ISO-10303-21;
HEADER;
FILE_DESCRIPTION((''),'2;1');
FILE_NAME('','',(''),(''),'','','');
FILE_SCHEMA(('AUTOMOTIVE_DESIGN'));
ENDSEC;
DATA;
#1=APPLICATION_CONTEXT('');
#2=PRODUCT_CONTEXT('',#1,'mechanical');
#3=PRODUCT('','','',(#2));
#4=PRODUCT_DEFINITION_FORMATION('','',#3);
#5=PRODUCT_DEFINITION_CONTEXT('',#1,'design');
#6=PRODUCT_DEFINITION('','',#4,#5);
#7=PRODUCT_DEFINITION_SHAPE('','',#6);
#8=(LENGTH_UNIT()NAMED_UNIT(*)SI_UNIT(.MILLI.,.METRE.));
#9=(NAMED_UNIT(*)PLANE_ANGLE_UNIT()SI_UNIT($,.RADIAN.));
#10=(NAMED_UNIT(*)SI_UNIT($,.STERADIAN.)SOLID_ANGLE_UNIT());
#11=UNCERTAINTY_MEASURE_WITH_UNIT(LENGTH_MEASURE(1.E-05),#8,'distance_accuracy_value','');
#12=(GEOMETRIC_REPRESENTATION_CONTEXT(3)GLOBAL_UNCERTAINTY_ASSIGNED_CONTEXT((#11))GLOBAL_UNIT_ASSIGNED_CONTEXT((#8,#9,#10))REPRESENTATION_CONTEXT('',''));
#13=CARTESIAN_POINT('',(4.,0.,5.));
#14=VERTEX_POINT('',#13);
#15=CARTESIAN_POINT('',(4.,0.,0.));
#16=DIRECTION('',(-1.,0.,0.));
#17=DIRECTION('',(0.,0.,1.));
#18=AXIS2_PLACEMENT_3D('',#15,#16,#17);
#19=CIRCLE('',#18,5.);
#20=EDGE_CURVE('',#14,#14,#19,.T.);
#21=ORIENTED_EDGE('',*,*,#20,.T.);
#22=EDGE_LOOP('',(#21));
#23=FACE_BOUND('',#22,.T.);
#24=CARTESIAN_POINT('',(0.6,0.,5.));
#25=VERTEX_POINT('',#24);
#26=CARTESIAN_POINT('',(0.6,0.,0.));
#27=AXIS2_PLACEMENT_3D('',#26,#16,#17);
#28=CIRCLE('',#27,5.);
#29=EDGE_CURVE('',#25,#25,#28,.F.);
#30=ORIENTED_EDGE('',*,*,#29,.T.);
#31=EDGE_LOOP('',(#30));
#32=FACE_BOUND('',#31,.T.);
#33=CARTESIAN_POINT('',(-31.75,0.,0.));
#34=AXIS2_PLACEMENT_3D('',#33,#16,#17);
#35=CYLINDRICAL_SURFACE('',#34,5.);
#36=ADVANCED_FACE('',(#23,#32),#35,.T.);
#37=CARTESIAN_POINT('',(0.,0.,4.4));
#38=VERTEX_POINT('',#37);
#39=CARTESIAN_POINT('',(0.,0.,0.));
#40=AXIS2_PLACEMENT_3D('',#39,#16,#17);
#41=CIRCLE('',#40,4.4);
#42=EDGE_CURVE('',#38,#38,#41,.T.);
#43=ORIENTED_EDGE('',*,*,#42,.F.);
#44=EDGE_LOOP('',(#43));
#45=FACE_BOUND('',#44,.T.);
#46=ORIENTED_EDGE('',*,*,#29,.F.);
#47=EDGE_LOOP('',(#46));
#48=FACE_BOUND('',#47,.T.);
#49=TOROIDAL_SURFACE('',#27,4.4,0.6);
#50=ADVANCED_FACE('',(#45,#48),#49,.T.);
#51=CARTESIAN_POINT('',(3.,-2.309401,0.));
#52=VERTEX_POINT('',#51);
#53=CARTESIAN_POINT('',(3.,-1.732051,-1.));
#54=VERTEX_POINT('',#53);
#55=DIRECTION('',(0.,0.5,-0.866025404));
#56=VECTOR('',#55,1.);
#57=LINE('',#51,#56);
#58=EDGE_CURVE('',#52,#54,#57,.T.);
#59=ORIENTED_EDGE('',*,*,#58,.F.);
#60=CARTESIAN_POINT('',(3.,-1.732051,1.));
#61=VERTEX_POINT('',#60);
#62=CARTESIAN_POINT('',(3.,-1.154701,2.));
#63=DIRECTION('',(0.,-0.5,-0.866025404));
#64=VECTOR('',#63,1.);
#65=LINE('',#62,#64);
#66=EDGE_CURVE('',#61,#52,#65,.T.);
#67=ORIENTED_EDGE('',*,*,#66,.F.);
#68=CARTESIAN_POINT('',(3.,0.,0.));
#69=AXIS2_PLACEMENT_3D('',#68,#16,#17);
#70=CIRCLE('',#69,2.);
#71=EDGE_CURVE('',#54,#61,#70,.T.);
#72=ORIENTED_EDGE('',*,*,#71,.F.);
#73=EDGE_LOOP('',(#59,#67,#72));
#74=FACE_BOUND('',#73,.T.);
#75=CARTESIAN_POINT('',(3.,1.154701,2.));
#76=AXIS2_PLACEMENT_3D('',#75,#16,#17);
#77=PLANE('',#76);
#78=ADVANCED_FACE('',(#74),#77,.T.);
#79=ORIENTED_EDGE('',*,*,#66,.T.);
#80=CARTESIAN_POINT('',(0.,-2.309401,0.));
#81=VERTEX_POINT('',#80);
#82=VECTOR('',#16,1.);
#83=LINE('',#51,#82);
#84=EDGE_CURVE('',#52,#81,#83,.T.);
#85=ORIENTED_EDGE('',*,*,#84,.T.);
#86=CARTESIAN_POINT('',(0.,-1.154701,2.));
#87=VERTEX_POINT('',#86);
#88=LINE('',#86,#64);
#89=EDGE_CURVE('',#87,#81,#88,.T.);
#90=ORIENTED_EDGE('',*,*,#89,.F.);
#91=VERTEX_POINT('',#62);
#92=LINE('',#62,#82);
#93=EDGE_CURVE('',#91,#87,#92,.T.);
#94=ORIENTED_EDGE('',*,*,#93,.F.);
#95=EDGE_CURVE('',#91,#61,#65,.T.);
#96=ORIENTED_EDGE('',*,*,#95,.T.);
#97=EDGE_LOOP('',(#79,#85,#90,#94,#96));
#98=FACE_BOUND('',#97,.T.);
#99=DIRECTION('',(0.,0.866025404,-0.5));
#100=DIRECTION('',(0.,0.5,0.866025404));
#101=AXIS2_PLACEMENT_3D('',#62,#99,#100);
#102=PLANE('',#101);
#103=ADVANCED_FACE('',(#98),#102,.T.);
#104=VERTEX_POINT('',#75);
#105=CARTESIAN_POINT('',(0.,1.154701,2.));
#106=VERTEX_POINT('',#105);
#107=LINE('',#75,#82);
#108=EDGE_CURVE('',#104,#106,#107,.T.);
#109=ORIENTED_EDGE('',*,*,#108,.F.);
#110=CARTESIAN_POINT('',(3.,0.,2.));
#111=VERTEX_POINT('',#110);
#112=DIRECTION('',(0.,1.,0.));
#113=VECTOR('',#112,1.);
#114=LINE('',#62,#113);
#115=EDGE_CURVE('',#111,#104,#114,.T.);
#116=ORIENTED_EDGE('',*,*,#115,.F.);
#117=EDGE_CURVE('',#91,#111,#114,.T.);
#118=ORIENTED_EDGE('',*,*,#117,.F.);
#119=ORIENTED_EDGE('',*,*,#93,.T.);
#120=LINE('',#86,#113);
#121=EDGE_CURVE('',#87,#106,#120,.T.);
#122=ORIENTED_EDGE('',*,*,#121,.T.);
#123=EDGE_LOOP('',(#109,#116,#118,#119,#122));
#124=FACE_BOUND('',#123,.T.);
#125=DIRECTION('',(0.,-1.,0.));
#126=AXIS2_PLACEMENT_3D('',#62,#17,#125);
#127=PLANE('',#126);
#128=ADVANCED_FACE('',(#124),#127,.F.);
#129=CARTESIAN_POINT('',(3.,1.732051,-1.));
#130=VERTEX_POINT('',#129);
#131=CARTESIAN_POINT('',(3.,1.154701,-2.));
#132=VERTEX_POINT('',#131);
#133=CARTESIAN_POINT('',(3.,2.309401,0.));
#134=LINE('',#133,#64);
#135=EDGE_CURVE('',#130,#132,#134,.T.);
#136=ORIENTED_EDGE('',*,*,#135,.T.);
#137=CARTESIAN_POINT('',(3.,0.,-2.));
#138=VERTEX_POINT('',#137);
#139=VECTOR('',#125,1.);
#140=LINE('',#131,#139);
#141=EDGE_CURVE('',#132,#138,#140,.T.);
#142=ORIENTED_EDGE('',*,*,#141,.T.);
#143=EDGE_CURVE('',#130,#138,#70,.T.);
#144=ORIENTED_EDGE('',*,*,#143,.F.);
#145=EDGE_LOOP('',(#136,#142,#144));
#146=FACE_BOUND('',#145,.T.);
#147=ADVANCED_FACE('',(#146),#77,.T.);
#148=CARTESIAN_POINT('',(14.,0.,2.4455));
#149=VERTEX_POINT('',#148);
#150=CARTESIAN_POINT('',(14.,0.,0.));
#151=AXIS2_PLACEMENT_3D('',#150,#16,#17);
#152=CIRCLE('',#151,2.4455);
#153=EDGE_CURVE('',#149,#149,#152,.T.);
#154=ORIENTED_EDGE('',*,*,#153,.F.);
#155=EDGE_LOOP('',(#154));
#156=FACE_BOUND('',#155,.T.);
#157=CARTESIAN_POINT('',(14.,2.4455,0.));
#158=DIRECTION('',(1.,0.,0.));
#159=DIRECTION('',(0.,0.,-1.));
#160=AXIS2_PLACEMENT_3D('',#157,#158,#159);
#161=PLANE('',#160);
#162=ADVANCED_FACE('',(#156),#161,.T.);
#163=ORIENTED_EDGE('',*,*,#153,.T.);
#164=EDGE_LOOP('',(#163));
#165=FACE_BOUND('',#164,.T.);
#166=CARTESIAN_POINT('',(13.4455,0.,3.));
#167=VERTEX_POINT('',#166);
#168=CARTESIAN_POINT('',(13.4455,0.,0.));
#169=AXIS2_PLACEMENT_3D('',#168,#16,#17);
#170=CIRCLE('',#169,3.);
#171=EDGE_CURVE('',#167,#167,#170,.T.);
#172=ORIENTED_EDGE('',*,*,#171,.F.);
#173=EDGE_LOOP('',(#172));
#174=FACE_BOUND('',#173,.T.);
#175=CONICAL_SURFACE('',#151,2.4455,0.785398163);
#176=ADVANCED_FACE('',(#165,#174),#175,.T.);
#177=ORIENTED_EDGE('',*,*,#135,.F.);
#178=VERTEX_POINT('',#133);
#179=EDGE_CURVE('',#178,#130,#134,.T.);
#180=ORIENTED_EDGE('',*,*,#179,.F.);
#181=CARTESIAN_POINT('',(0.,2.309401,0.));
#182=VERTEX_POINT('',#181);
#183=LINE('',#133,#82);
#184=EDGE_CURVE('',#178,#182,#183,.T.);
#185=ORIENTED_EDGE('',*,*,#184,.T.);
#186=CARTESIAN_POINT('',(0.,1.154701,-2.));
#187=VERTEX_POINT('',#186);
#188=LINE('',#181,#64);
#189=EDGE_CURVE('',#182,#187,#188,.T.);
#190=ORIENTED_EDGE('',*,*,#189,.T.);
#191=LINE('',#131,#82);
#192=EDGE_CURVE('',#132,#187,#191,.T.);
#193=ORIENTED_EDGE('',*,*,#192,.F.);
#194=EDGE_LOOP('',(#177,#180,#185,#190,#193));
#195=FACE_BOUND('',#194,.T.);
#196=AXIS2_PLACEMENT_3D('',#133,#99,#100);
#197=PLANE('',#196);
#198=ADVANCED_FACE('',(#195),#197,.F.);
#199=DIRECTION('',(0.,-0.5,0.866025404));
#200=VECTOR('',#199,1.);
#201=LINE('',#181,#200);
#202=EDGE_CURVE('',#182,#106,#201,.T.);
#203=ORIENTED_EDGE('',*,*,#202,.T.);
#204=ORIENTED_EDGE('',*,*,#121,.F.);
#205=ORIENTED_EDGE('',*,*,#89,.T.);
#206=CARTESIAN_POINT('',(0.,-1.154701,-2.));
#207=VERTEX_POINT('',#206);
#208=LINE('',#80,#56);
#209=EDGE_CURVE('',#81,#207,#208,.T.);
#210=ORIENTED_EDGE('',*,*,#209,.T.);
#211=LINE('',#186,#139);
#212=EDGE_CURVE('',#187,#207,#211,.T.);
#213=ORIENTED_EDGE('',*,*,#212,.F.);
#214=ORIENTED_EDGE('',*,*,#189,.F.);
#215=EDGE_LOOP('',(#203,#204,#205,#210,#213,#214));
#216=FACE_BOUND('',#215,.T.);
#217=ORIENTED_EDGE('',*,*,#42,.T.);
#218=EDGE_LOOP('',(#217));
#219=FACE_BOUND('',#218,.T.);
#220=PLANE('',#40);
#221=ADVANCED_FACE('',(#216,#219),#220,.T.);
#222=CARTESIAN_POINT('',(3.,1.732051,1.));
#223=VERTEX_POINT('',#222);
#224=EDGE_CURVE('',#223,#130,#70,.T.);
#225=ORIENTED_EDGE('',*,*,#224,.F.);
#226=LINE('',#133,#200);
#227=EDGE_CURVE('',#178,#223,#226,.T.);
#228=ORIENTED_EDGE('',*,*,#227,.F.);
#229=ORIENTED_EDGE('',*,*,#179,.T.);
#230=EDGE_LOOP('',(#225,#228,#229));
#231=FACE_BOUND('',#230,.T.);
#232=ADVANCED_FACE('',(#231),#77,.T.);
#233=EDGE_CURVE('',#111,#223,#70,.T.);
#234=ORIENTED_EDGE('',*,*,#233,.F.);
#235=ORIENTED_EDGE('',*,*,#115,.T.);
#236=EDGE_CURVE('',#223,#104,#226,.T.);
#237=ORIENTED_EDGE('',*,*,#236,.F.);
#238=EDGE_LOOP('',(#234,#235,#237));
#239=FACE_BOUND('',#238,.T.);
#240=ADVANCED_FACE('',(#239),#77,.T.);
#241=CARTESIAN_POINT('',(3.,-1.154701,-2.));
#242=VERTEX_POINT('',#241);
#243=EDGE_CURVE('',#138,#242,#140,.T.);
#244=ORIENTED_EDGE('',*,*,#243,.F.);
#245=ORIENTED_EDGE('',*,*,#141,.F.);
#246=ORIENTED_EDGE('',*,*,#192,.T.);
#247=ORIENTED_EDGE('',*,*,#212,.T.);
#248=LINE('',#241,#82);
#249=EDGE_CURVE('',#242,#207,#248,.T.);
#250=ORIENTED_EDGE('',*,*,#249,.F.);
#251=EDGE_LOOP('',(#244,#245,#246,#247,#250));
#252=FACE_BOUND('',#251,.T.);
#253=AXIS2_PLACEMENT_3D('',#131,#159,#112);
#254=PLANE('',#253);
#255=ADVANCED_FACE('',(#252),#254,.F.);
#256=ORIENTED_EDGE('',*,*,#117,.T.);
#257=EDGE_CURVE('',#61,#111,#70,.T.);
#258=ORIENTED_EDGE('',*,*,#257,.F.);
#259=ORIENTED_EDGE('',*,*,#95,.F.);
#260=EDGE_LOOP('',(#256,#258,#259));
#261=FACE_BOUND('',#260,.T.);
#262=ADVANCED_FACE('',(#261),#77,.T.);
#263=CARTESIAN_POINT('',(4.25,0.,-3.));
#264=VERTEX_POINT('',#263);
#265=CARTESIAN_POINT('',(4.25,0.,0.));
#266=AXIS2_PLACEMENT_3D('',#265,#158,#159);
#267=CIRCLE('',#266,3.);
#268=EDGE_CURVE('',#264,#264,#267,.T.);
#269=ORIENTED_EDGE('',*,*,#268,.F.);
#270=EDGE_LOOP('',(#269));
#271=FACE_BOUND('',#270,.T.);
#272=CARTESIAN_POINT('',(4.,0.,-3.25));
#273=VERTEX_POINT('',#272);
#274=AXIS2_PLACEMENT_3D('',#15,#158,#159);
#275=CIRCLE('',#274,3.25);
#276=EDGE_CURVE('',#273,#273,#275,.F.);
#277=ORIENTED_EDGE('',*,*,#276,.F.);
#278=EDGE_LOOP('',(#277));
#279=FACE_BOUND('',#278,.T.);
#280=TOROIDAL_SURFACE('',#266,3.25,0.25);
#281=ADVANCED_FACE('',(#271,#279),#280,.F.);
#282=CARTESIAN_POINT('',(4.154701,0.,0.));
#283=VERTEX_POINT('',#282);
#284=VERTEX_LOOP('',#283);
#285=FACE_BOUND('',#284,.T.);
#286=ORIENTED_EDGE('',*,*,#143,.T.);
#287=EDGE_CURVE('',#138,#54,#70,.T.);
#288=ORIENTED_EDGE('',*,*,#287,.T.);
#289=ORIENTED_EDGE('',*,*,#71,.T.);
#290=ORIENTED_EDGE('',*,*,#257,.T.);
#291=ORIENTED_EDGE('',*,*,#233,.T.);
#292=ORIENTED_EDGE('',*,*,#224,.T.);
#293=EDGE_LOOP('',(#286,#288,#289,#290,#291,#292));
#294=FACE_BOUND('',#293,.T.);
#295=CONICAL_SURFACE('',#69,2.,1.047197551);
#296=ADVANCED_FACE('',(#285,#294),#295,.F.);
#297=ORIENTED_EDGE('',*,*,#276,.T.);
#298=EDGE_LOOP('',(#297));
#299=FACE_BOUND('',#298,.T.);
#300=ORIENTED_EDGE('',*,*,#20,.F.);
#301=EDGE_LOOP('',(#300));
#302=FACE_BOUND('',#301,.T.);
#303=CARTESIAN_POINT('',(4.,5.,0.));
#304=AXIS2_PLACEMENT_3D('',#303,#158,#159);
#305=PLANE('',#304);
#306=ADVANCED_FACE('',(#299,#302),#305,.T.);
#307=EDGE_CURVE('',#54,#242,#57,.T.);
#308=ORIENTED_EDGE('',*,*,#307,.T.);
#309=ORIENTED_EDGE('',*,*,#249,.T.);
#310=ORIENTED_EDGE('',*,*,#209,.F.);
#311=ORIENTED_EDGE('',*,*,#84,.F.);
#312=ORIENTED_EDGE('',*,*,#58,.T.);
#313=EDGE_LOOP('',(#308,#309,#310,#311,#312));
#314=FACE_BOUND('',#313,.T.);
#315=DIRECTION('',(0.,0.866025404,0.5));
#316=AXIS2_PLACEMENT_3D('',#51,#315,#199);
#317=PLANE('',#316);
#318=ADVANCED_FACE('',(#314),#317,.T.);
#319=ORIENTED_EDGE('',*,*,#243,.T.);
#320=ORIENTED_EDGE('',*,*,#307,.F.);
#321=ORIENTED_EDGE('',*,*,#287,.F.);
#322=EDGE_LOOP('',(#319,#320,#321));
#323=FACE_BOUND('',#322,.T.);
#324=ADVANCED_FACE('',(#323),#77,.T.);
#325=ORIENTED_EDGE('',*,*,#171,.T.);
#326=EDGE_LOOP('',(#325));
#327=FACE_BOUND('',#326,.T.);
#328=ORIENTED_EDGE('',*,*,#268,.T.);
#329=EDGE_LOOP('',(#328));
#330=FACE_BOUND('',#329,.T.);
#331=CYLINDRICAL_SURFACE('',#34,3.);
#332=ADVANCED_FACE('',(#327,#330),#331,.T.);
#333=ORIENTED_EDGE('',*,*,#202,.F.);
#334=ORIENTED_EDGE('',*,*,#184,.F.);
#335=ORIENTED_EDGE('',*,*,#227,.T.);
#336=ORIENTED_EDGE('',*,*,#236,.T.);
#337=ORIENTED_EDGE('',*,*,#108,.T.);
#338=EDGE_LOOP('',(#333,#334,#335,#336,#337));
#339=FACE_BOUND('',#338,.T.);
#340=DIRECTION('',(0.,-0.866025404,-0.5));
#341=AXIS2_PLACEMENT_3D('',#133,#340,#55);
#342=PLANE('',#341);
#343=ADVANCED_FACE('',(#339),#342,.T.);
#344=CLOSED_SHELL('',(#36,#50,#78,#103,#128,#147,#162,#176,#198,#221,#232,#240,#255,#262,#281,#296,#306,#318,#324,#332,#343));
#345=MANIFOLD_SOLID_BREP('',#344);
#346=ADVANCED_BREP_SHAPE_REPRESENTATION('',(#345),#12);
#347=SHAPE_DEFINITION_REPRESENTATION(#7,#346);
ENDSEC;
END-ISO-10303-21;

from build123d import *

# Parameters (mm, degrees)
FILLET1_R   = 0.25
FILLET2_R   = 0.6
HEX_2_DEPTH = 3


with BuildPart() as part:
    # BodySke → Base-Revolve (revolve)
    with BuildSketch(Plane.XY, mode=Mode.PRIVATE) as base_revolve_sk:
        Polygon((0, 0), (0, 5), (4, 5), (4, 3), (13.4455, 3), (14, 2.4455), (14, 0), align=None)
    revolve(base_revolve_sk.sketch.rotate(Axis((-31.75, 0, 0), (1, 0, 0)), 90), axis=Axis((-31.75, 0, 0), (1, 0, 0)))  # turned: the seam where the file's is

    # Fillet1
    fillet1_edges = [part.edges().sort_by_distance(p)[0] for p in [
        (4, 0, -3),
    ]]
    fillet(fillet1_edges, radius=FILLET1_R)

    # Fillet2
    fillet2_edges = [part.edges().sort_by_distance(p)[0] for p in [
        (0, 0, -5),
    ]]
    fillet(fillet2_edges, radius=FILLET2_R)

    # Sketch2 → Hex-PreBroach (revolve, cut)
    with BuildSketch(Plane.XY, mode=Mode.PRIVATE) as hex_prebroach_sk:
        Polygon((0, 2), (3, 2), (4.154700538, 0), (0, 0), align=None)
    revolve(hex_prebroach_sk.sketch.rotate(Axis((0, 0, 0), (1, 0, 0)), 90), axis=Axis((0, 0, 0), (1, 0, 0)), mode=Mode.SUBTRACT)  # turned: the seam where the file's is

    # Sketch3 → Hex 2 (cut)
    with BuildSketch(Plane(origin=(0, 0, 0), x_dir=(0, 0.5, 0.866025404), z_dir=(-1, 0, 0))):
        Polygon((1.154700538, 2), (-1.154700538, 2), (-2.309401077, 0), (-1.154700538, -2), (1.154700538, -2), (2.309401077, 0), align=None)
    extrude(amount=-HEX_2_DEPTH, mode=Mode.SUBTRACT)


solid = part.part
